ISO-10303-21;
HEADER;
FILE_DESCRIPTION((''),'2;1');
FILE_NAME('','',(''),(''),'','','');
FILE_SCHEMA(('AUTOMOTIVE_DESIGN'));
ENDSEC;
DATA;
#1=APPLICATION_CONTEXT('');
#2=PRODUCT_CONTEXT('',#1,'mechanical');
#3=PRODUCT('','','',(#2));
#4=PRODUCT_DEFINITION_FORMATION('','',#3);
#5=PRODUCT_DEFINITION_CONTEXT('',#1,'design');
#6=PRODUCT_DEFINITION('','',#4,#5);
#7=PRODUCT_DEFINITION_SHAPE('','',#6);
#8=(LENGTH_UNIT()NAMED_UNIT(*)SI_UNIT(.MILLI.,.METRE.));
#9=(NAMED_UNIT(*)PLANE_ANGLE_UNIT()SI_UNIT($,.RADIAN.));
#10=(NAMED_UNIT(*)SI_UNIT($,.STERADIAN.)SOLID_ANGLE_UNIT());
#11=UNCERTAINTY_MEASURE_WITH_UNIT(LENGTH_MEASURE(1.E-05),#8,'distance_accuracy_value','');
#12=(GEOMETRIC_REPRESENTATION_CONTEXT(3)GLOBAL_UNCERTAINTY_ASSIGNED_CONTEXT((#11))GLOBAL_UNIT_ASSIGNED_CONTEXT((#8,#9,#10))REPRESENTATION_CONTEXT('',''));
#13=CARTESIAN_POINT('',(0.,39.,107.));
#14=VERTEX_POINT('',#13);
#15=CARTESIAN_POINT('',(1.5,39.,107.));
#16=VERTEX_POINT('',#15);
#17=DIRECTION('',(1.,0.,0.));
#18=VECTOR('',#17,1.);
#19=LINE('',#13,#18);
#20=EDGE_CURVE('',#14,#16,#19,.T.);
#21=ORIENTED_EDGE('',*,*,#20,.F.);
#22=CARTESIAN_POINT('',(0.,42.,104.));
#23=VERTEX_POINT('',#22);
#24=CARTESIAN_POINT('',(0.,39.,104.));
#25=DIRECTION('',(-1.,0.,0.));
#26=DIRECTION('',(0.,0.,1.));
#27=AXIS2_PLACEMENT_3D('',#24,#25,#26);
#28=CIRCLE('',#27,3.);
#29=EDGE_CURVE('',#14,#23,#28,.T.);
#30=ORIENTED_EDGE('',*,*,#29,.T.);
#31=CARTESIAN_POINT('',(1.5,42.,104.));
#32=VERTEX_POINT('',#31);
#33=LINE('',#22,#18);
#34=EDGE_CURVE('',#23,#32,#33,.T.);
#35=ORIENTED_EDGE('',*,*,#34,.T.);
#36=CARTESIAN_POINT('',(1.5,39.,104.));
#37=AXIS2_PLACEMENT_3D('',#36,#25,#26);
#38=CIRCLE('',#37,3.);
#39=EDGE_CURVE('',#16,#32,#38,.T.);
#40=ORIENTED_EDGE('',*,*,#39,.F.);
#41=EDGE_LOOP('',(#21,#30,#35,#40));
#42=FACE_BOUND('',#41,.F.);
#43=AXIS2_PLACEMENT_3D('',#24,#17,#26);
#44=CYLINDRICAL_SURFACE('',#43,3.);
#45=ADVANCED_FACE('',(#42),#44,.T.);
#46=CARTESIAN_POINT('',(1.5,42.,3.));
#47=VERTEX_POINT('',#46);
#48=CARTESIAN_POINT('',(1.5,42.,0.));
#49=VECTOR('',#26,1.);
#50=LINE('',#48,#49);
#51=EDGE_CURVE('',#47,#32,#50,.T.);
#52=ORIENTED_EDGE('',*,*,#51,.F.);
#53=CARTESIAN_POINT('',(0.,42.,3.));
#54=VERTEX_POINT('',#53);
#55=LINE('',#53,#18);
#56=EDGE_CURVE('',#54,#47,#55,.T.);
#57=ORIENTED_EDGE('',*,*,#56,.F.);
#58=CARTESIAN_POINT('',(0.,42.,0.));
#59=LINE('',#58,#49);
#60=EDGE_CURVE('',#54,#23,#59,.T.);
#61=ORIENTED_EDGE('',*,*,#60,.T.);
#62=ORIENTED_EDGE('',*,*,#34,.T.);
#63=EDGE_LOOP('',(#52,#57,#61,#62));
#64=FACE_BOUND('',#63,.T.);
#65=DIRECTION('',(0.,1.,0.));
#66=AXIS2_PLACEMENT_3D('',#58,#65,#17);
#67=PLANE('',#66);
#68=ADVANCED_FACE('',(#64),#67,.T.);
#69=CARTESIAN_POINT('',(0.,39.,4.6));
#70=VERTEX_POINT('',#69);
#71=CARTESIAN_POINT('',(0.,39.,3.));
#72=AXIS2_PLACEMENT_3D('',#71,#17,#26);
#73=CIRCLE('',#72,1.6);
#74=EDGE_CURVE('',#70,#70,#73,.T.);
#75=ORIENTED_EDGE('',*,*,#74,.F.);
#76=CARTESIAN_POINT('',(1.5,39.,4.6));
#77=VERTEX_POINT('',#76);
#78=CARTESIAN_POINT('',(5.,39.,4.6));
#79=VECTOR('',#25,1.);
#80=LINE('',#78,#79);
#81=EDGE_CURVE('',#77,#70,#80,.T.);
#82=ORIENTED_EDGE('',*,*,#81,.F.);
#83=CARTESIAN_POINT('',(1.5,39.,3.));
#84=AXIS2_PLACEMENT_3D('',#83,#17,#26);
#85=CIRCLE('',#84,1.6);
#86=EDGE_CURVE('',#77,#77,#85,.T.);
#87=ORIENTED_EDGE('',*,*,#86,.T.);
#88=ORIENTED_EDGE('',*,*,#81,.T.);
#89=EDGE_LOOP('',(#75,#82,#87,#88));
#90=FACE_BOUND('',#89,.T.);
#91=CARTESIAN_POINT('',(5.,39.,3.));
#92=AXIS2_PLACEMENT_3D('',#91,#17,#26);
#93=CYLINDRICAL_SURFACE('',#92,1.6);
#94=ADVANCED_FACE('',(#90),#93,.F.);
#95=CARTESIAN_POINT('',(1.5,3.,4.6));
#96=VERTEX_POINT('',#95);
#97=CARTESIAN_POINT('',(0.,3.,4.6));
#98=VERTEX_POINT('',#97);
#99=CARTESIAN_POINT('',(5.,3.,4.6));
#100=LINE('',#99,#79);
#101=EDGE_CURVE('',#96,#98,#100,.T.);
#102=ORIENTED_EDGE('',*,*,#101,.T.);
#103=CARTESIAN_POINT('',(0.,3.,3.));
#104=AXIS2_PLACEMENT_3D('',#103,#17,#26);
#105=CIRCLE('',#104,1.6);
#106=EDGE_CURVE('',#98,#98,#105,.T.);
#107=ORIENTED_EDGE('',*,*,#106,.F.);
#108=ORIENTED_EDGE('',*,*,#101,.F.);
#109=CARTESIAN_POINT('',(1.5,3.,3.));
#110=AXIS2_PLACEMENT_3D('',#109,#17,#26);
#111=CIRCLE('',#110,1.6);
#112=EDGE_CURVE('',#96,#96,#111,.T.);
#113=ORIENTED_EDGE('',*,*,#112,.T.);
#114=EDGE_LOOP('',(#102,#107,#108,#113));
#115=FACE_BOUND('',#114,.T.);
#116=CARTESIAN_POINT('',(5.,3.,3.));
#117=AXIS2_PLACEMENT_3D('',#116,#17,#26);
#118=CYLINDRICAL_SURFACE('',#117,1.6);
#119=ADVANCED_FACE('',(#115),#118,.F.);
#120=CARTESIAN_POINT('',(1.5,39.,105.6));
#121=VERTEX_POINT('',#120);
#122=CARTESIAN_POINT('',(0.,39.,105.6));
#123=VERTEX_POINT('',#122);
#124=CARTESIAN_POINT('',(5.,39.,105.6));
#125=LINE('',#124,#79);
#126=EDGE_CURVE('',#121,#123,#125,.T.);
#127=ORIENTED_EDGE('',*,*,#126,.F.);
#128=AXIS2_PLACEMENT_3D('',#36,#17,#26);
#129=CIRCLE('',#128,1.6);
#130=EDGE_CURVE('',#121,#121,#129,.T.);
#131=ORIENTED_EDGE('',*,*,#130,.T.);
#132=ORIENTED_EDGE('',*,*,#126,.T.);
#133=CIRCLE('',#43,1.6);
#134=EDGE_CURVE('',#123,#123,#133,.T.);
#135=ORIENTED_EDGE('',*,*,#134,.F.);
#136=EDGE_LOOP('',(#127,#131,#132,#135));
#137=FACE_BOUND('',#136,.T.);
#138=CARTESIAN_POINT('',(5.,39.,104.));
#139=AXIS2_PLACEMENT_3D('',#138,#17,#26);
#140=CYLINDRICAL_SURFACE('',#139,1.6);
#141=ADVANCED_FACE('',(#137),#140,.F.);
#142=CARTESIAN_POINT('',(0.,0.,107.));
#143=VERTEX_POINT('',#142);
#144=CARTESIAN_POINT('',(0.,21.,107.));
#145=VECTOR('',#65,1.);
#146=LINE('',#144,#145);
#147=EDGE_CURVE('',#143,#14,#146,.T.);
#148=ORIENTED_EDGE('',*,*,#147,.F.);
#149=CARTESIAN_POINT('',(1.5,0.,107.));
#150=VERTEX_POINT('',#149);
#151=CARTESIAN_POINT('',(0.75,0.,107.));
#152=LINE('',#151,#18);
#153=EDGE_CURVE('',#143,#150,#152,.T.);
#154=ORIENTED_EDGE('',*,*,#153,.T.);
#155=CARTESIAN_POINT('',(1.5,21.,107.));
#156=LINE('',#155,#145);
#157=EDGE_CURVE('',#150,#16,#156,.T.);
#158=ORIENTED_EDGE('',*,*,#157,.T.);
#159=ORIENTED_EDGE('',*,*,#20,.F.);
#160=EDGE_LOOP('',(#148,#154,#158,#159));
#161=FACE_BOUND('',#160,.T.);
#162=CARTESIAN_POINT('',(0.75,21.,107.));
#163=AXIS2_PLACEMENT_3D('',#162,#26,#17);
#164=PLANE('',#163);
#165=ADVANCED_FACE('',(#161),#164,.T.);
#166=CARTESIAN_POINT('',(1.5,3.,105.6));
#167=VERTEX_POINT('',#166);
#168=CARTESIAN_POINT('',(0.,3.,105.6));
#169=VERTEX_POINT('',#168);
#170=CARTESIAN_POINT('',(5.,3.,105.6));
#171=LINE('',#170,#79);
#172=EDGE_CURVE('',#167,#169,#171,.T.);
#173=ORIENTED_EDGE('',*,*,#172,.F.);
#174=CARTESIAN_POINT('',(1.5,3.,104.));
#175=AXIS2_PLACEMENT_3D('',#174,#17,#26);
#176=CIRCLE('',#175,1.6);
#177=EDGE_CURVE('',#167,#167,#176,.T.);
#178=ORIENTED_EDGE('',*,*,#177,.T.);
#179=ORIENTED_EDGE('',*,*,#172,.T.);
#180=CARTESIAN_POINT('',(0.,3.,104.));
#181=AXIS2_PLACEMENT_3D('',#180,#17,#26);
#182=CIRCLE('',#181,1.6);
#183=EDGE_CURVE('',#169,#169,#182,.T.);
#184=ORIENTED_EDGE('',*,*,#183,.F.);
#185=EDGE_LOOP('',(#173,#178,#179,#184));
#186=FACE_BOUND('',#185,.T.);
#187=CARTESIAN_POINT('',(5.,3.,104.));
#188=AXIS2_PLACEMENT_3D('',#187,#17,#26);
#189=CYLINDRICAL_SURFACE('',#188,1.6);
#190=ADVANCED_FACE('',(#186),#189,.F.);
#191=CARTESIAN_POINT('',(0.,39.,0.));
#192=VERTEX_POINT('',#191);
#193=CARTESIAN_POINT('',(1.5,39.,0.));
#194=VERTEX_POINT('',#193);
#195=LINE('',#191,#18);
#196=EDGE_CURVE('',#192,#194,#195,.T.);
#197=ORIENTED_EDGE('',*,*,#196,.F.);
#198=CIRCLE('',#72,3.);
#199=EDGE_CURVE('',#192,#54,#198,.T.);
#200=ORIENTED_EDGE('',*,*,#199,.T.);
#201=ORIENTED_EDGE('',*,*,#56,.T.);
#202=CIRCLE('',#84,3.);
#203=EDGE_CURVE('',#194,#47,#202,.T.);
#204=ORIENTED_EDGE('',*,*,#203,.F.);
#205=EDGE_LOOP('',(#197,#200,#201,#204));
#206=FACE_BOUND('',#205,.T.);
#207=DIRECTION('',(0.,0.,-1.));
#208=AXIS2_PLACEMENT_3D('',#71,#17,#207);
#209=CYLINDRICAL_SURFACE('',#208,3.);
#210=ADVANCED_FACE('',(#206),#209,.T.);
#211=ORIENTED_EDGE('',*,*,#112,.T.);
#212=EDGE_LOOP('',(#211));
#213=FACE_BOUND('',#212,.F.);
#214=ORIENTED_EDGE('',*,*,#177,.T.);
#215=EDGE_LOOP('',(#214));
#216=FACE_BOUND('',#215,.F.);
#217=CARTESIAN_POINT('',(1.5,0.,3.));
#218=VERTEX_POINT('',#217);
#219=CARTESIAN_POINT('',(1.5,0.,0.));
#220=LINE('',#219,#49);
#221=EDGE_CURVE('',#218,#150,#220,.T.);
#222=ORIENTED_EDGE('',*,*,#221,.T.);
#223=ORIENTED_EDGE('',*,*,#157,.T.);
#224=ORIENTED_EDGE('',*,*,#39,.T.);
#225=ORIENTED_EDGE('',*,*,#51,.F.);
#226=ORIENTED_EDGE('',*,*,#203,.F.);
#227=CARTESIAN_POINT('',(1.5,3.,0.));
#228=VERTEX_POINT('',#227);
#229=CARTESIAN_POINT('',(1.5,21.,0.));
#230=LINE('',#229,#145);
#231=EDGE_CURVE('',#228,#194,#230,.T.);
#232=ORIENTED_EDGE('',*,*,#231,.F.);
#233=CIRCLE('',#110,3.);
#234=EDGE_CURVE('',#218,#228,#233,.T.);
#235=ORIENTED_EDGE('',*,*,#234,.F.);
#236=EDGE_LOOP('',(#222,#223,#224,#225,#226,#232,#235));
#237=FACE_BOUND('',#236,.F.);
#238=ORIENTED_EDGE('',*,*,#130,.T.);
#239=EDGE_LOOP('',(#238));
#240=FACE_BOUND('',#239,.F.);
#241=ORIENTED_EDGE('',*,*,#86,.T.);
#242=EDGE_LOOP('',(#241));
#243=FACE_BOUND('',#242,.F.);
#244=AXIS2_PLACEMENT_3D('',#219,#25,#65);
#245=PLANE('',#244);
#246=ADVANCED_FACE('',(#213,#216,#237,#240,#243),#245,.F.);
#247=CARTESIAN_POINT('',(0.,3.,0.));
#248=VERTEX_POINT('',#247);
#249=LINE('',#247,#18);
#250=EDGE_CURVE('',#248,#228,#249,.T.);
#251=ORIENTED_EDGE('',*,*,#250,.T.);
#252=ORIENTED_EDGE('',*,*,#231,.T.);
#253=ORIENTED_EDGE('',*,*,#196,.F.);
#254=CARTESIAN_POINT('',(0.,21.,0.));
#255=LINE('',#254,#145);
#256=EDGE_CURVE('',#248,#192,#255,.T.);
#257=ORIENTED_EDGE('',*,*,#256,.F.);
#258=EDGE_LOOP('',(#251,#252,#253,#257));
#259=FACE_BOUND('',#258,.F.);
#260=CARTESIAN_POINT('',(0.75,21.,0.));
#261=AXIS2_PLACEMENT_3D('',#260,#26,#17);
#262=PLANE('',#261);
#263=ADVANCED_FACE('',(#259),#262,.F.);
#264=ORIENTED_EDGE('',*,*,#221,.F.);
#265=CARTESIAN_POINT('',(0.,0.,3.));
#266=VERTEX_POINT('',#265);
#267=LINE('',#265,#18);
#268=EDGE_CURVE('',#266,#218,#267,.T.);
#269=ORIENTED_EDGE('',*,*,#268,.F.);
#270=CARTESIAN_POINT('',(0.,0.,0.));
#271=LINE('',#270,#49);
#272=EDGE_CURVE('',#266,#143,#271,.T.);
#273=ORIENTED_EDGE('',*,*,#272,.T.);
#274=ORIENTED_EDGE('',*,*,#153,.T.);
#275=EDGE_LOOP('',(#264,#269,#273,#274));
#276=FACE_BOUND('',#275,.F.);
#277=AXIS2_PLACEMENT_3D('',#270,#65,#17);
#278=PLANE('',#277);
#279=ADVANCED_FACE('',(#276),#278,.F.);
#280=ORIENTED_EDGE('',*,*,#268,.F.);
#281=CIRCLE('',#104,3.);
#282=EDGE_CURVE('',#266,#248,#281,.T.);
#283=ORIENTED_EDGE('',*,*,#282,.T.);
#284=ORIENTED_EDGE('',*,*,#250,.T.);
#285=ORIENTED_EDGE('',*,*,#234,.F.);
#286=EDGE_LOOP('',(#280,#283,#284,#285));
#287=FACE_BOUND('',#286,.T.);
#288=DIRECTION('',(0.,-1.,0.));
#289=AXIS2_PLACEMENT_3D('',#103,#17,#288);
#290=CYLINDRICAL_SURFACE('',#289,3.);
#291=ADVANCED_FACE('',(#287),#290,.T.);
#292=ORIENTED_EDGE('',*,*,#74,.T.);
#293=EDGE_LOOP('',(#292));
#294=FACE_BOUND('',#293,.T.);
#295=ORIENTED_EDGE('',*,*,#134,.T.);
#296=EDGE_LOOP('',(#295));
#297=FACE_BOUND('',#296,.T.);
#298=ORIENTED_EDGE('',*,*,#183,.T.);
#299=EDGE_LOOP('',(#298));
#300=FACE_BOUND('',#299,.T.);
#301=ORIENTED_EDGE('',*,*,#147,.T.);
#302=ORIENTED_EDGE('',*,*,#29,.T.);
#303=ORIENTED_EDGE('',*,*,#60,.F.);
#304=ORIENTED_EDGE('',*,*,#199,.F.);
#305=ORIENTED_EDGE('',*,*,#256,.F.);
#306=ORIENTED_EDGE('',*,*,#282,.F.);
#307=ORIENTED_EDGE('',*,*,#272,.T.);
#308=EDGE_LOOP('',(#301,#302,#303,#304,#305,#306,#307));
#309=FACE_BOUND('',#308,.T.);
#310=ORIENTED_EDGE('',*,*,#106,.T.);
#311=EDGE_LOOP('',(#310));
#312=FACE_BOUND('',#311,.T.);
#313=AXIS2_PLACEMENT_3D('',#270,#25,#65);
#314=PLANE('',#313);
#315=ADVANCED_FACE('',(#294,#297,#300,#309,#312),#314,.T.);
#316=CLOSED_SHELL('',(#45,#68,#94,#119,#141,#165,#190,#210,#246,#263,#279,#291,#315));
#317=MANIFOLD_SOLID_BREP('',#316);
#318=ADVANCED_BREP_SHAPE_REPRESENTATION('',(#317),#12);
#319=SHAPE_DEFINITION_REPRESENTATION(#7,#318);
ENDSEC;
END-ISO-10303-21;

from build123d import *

# Parameters (mm, degrees)
CYLINDER099_R     = 1.6
CYLINDER099_DEPTH = 10
CYLINDER100_R     = 1.6
CYLINDER100_DEPTH = 10
CYLINDER101_R     = 1.6
CYLINDER101_DEPTH = 10
CYLINDER098_R     = 1.6
CYLINDER098_DEPTH = 10
BOX094_W          = 1.5
BOX094_H          = 42
BOX094_DEPTH      = 107
FILLET041_R       = 3


with BuildPart() as cylinder099:
    # Cylinder099 → Cylinder099 (new body)
    with BuildSketch(Plane(origin=(5, 39, 3), x_dir=(0, 0, 1), z_dir=(-1, 0, 0))):
        Circle(CYLINDER099_R)
    extrude(amount=CYLINDER099_DEPTH)


with BuildPart() as cylinder100:
    # Cylinder100 → Cylinder100 (new body)
    with BuildSketch(Plane(origin=(5, 3, 104), x_dir=(0, 0, 1), z_dir=(-1, 0, 0))):
        Circle(CYLINDER100_R)
    extrude(amount=CYLINDER100_DEPTH)


with BuildPart() as cylinder101:
    # Cylinder101 → Cylinder101 (new body)
    with BuildSketch(Plane(origin=(5, 39, 104), x_dir=(0, 0, 1), z_dir=(-1, 0, 0))):
        Circle(CYLINDER101_R)
    extrude(amount=CYLINDER101_DEPTH)


with BuildPart() as m3_cyl003:
    # Cylinder098 → Cylinder098 (new body)
    with BuildSketch(Plane(origin=(5, 3, 3), x_dir=(0, 0, 1), z_dir=(-1, 0, 0))):
        Circle(CYLINDER098_R)
    extrude(amount=CYLINDER098_DEPTH)

    # Fusion082: union Cylinder099, Cylinder100, Cylinder101
    add(cylinder099.part)
    add(cylinder100.part)
    add(cylinder101.part)


with BuildPart() as pcb:
    # Box094 → Box094 (new body)
    with BuildSketch(Plane.XY):
        with Locations((0.75, 21)):
            Rectangle(BOX094_W, BOX094_H)
    extrude(amount=BOX094_DEPTH)

    # Cut063: cut m3_cyl003
    add(m3_cyl003.part, mode=Mode.SUBTRACT)

    # Fillet041
    fillet041_edges = [pcb.edges().sort_by_distance(p)[0] for p in [
        (0.75, 0, 0),
        (0.75, 42, 107),
        (0.75, 42, 0),
    ]]
    fillet(fillet041_edges, radius=FILLET041_R)


solid = pcb.part
